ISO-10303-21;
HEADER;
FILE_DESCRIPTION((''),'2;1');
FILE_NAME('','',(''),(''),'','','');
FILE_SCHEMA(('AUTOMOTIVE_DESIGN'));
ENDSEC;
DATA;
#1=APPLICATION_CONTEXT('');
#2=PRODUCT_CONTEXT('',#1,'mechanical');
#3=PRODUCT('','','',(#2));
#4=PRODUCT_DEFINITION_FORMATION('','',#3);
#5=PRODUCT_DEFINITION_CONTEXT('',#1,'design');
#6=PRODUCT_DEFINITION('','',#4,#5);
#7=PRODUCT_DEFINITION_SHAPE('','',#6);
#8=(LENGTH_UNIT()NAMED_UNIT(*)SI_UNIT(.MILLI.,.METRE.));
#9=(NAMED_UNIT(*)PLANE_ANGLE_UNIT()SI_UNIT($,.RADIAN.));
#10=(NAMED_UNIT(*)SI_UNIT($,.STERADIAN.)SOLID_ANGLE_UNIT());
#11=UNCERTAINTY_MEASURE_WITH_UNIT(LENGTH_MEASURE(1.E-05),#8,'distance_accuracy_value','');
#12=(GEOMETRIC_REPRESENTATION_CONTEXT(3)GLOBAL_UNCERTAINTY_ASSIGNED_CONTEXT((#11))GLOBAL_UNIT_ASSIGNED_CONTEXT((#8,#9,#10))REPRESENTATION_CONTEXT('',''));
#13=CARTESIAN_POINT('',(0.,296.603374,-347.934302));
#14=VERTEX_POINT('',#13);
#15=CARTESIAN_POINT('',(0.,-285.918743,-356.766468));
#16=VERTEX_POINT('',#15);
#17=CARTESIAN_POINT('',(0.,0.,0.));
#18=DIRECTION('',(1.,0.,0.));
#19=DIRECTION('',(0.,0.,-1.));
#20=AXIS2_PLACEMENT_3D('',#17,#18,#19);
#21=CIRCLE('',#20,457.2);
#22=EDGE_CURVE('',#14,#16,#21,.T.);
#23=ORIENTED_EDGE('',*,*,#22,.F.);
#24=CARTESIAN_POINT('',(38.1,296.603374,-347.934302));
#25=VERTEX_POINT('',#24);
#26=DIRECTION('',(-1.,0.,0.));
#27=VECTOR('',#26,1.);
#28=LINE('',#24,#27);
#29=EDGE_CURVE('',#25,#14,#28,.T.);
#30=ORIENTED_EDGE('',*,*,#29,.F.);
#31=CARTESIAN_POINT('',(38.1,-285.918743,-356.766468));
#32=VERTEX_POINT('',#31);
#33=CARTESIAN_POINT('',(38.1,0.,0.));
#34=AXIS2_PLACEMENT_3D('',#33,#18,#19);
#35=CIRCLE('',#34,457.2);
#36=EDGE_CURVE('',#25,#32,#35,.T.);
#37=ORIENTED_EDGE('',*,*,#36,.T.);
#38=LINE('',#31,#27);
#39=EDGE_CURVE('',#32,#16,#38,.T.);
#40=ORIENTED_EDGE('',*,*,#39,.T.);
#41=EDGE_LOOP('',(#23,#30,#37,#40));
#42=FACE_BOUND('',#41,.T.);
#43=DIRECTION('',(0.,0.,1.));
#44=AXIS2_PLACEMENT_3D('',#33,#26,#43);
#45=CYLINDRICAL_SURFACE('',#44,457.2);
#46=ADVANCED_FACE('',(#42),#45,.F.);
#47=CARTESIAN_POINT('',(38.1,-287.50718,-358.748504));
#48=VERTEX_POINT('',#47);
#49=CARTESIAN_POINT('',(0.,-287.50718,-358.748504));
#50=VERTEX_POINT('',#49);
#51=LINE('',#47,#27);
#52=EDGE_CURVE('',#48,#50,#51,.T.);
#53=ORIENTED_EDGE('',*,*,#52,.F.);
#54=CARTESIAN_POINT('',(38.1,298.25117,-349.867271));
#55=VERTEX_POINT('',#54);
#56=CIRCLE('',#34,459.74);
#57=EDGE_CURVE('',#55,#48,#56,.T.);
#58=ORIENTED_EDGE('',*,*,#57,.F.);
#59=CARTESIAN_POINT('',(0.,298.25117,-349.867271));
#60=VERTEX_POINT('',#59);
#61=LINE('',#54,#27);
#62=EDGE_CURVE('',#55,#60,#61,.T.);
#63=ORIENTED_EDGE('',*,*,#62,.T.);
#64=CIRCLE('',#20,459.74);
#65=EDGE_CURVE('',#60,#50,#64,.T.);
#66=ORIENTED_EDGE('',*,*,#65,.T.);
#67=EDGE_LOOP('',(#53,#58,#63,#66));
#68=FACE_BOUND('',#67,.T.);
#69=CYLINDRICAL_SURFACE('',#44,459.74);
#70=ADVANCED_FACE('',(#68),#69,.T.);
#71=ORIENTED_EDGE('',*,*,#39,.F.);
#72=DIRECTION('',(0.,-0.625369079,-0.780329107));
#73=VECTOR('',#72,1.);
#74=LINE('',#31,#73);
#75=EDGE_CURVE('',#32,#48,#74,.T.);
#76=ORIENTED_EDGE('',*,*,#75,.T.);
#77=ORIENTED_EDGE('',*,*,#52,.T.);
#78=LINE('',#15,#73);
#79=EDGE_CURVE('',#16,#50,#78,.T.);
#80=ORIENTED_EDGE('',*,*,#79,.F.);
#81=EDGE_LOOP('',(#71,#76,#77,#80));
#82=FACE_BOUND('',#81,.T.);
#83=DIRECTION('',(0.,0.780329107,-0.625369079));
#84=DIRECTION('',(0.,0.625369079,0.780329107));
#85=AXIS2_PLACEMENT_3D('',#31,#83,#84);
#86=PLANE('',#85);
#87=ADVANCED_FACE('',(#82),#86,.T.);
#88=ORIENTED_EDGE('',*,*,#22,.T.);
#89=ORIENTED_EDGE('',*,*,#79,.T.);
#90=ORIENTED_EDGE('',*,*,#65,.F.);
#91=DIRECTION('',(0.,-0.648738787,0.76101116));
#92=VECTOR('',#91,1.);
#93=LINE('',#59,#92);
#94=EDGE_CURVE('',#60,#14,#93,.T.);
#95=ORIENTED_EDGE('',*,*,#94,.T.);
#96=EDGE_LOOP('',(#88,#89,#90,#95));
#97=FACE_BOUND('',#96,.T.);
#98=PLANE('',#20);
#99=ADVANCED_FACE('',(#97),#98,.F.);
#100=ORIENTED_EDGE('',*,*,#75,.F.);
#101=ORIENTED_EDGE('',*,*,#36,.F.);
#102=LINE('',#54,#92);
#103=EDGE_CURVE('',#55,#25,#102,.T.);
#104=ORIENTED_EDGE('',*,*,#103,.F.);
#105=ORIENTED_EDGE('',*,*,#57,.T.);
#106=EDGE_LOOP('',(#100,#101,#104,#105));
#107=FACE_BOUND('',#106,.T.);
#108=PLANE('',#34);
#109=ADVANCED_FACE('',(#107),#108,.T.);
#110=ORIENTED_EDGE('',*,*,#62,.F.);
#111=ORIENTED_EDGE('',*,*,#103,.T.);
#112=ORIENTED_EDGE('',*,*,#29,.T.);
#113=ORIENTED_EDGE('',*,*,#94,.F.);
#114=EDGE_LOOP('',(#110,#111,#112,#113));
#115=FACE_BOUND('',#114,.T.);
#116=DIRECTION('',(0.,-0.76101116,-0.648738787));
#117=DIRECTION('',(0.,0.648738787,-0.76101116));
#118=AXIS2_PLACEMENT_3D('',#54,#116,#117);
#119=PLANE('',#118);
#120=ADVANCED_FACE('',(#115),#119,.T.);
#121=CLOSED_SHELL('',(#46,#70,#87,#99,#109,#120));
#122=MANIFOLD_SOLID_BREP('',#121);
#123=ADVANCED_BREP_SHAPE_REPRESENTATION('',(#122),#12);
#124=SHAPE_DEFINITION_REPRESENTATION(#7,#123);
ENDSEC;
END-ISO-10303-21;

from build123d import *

# Parameters (mm, degrees)
EXTRUDE_THIN1_DEPTH = 38.1


with BuildPart() as part:
    # Sketch1 → Extrude-Thin1 (new body)
    with BuildSketch(Plane(origin=(0, 0, 0), x_dir=(0, 0, -1), z_dir=(1, 0, 0))):
        with BuildLine():
            ThreePointArc((347.934302391, 296.603373581), (-457.147457481, -6.93124222), (356.766467642, -285.918742943))
            Line((356.766467642, -285.918742943), (358.748503573, -287.507180404))
            ThreePointArc((358.748503573, -287.507180404), (-459.687165578, -6.969749122), (349.867270738, 298.251170101))
            Line((349.867270738, 298.251170101), (347.934302391, 296.603373581))
        make_face()
    extrude(amount=EXTRUDE_THIN1_DEPTH)


solid = part.part
